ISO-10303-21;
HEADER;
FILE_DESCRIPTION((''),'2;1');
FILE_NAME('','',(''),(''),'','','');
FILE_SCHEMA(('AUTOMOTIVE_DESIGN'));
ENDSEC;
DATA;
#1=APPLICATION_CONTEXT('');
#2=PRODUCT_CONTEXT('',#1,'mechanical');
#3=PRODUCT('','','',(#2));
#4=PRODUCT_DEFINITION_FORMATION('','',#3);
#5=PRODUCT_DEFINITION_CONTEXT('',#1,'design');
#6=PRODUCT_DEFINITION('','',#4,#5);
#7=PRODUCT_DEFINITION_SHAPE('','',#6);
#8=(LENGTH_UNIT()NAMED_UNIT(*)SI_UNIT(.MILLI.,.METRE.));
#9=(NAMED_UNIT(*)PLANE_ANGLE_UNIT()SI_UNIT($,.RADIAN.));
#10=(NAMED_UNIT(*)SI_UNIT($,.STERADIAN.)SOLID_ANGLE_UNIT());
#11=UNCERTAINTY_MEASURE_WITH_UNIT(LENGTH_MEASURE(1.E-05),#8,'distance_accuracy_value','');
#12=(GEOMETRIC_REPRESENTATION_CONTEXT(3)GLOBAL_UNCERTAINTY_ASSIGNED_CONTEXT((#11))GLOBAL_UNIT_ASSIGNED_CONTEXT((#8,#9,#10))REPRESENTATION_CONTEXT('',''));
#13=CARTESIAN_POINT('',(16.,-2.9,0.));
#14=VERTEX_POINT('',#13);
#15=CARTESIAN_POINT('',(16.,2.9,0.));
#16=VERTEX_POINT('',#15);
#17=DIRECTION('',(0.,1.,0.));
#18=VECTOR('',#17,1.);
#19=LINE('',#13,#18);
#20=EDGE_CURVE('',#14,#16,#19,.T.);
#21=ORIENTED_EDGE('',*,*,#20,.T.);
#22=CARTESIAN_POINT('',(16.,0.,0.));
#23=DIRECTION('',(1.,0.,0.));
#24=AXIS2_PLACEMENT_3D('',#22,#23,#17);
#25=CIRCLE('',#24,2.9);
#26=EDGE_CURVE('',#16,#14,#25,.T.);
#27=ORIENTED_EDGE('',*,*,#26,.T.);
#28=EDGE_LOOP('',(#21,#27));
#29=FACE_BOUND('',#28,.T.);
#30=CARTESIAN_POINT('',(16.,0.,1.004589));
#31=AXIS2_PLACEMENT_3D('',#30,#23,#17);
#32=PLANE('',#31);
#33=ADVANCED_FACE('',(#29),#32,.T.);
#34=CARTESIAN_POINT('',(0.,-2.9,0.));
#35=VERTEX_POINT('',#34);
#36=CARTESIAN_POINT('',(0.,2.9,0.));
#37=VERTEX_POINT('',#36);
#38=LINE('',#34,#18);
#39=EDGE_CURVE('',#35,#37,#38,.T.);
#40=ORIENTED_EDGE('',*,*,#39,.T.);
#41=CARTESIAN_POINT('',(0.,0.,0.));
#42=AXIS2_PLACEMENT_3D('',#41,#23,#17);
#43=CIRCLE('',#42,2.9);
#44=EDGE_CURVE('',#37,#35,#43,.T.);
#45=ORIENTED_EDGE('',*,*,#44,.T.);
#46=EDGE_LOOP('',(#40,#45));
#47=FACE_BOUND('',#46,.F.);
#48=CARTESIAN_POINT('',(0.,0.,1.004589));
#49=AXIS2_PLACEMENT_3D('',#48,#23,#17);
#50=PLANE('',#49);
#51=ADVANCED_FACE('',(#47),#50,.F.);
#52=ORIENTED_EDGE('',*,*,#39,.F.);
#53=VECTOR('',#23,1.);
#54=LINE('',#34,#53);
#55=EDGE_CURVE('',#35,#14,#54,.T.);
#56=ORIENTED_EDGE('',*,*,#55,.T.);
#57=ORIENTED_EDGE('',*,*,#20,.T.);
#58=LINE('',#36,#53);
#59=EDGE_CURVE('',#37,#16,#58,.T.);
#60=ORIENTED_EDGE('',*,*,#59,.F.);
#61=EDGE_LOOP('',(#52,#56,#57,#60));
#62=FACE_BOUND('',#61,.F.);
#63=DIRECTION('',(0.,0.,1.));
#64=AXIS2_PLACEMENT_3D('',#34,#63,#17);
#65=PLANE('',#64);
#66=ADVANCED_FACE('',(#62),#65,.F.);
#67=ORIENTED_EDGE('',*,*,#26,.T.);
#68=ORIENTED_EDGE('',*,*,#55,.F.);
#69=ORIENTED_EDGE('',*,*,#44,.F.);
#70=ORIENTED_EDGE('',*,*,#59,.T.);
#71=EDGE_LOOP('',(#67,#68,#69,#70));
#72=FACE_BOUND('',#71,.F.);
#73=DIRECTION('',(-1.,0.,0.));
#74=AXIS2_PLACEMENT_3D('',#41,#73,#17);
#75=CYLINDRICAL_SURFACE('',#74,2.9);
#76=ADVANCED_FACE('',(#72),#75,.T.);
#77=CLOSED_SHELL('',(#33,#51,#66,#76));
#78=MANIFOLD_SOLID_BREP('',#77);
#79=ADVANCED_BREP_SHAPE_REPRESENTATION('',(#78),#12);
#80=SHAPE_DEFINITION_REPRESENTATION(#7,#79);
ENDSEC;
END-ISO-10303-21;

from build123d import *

# Parameters (mm, degrees)
F1_DEPTH = 16


with BuildPart() as f1:
    # F0 (on Right) → F1 (new body)
    with BuildSketch(Plane.YZ):
        with BuildLine():
            Line((-2.9, 0), (2.9, 0))
            ThreePointArc((2.9, 0), (0, 2.9), (-2.9, 0))
        make_face()
    extrude(amount=F1_DEPTH)


solid = f1.part
